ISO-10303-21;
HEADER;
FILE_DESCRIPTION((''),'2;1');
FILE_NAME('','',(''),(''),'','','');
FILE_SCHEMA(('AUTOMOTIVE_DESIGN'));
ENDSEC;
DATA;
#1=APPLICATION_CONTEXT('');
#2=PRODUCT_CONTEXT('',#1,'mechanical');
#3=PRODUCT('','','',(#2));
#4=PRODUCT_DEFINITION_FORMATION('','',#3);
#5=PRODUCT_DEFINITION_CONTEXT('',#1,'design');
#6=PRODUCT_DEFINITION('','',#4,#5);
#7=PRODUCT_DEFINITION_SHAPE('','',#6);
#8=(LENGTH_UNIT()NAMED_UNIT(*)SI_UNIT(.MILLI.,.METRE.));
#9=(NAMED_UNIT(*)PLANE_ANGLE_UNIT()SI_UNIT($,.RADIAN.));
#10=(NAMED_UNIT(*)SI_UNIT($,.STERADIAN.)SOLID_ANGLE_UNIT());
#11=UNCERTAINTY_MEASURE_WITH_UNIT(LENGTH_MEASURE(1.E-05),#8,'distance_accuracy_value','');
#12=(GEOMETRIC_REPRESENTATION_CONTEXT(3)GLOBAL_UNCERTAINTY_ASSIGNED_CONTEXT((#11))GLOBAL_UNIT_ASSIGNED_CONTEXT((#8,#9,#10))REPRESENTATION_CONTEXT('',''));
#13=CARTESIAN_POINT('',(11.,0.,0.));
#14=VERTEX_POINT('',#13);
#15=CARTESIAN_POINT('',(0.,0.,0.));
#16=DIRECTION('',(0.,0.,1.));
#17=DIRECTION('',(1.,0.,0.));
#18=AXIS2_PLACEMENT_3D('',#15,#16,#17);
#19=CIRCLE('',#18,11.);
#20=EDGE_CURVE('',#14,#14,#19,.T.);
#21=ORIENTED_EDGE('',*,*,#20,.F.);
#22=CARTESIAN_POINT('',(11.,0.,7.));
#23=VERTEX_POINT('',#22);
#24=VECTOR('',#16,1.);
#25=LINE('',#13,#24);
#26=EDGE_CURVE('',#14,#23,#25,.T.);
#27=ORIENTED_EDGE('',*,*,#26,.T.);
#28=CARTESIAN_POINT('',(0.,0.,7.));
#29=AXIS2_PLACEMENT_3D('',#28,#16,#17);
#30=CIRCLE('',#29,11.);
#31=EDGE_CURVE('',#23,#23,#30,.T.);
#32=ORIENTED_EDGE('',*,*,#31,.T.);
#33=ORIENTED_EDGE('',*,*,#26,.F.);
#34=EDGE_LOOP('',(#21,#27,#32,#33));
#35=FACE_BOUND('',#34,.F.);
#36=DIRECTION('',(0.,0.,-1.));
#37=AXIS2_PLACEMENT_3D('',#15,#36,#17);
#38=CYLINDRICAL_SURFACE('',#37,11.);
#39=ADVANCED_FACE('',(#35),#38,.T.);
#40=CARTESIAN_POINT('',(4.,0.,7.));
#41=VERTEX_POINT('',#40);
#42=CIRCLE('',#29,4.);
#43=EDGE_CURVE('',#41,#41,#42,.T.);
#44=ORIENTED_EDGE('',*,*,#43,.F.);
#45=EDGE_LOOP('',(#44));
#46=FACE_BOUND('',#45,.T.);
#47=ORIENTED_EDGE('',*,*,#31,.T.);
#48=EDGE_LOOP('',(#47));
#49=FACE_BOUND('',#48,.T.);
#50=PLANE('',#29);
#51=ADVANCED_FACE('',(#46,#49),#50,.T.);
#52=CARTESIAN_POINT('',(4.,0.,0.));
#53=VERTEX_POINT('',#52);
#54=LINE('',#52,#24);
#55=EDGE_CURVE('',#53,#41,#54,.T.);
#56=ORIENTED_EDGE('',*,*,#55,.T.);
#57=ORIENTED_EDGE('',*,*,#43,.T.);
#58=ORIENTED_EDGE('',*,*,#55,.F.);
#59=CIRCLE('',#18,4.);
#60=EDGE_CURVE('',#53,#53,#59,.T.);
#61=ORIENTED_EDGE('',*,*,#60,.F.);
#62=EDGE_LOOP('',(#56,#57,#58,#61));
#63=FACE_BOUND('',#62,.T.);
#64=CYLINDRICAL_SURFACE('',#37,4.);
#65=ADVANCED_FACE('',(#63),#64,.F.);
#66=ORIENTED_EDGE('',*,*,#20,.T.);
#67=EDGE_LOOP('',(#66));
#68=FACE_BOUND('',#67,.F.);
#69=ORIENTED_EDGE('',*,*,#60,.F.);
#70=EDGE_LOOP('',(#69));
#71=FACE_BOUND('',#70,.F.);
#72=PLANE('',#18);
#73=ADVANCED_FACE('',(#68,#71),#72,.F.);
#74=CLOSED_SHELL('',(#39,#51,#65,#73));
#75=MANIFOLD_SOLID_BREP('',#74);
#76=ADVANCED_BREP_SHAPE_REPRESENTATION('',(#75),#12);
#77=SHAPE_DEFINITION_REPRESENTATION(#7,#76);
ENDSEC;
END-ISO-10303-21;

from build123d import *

# Parameters (mm, degrees)
ESQUISSE1_R      = 11
ESQUISSE1_R_2    = 4
EXTRUSION1_DEPTH = 7


with BuildPart() as part:
    # Esquisse1 → Extrusion1 (new body)
    with BuildSketch(Plane.XY):
        Circle(ESQUISSE1_R)
        Circle(ESQUISSE1_R_2, mode=Mode.SUBTRACT)
    extrude(amount=EXTRUSION1_DEPTH)


solid = part.part
